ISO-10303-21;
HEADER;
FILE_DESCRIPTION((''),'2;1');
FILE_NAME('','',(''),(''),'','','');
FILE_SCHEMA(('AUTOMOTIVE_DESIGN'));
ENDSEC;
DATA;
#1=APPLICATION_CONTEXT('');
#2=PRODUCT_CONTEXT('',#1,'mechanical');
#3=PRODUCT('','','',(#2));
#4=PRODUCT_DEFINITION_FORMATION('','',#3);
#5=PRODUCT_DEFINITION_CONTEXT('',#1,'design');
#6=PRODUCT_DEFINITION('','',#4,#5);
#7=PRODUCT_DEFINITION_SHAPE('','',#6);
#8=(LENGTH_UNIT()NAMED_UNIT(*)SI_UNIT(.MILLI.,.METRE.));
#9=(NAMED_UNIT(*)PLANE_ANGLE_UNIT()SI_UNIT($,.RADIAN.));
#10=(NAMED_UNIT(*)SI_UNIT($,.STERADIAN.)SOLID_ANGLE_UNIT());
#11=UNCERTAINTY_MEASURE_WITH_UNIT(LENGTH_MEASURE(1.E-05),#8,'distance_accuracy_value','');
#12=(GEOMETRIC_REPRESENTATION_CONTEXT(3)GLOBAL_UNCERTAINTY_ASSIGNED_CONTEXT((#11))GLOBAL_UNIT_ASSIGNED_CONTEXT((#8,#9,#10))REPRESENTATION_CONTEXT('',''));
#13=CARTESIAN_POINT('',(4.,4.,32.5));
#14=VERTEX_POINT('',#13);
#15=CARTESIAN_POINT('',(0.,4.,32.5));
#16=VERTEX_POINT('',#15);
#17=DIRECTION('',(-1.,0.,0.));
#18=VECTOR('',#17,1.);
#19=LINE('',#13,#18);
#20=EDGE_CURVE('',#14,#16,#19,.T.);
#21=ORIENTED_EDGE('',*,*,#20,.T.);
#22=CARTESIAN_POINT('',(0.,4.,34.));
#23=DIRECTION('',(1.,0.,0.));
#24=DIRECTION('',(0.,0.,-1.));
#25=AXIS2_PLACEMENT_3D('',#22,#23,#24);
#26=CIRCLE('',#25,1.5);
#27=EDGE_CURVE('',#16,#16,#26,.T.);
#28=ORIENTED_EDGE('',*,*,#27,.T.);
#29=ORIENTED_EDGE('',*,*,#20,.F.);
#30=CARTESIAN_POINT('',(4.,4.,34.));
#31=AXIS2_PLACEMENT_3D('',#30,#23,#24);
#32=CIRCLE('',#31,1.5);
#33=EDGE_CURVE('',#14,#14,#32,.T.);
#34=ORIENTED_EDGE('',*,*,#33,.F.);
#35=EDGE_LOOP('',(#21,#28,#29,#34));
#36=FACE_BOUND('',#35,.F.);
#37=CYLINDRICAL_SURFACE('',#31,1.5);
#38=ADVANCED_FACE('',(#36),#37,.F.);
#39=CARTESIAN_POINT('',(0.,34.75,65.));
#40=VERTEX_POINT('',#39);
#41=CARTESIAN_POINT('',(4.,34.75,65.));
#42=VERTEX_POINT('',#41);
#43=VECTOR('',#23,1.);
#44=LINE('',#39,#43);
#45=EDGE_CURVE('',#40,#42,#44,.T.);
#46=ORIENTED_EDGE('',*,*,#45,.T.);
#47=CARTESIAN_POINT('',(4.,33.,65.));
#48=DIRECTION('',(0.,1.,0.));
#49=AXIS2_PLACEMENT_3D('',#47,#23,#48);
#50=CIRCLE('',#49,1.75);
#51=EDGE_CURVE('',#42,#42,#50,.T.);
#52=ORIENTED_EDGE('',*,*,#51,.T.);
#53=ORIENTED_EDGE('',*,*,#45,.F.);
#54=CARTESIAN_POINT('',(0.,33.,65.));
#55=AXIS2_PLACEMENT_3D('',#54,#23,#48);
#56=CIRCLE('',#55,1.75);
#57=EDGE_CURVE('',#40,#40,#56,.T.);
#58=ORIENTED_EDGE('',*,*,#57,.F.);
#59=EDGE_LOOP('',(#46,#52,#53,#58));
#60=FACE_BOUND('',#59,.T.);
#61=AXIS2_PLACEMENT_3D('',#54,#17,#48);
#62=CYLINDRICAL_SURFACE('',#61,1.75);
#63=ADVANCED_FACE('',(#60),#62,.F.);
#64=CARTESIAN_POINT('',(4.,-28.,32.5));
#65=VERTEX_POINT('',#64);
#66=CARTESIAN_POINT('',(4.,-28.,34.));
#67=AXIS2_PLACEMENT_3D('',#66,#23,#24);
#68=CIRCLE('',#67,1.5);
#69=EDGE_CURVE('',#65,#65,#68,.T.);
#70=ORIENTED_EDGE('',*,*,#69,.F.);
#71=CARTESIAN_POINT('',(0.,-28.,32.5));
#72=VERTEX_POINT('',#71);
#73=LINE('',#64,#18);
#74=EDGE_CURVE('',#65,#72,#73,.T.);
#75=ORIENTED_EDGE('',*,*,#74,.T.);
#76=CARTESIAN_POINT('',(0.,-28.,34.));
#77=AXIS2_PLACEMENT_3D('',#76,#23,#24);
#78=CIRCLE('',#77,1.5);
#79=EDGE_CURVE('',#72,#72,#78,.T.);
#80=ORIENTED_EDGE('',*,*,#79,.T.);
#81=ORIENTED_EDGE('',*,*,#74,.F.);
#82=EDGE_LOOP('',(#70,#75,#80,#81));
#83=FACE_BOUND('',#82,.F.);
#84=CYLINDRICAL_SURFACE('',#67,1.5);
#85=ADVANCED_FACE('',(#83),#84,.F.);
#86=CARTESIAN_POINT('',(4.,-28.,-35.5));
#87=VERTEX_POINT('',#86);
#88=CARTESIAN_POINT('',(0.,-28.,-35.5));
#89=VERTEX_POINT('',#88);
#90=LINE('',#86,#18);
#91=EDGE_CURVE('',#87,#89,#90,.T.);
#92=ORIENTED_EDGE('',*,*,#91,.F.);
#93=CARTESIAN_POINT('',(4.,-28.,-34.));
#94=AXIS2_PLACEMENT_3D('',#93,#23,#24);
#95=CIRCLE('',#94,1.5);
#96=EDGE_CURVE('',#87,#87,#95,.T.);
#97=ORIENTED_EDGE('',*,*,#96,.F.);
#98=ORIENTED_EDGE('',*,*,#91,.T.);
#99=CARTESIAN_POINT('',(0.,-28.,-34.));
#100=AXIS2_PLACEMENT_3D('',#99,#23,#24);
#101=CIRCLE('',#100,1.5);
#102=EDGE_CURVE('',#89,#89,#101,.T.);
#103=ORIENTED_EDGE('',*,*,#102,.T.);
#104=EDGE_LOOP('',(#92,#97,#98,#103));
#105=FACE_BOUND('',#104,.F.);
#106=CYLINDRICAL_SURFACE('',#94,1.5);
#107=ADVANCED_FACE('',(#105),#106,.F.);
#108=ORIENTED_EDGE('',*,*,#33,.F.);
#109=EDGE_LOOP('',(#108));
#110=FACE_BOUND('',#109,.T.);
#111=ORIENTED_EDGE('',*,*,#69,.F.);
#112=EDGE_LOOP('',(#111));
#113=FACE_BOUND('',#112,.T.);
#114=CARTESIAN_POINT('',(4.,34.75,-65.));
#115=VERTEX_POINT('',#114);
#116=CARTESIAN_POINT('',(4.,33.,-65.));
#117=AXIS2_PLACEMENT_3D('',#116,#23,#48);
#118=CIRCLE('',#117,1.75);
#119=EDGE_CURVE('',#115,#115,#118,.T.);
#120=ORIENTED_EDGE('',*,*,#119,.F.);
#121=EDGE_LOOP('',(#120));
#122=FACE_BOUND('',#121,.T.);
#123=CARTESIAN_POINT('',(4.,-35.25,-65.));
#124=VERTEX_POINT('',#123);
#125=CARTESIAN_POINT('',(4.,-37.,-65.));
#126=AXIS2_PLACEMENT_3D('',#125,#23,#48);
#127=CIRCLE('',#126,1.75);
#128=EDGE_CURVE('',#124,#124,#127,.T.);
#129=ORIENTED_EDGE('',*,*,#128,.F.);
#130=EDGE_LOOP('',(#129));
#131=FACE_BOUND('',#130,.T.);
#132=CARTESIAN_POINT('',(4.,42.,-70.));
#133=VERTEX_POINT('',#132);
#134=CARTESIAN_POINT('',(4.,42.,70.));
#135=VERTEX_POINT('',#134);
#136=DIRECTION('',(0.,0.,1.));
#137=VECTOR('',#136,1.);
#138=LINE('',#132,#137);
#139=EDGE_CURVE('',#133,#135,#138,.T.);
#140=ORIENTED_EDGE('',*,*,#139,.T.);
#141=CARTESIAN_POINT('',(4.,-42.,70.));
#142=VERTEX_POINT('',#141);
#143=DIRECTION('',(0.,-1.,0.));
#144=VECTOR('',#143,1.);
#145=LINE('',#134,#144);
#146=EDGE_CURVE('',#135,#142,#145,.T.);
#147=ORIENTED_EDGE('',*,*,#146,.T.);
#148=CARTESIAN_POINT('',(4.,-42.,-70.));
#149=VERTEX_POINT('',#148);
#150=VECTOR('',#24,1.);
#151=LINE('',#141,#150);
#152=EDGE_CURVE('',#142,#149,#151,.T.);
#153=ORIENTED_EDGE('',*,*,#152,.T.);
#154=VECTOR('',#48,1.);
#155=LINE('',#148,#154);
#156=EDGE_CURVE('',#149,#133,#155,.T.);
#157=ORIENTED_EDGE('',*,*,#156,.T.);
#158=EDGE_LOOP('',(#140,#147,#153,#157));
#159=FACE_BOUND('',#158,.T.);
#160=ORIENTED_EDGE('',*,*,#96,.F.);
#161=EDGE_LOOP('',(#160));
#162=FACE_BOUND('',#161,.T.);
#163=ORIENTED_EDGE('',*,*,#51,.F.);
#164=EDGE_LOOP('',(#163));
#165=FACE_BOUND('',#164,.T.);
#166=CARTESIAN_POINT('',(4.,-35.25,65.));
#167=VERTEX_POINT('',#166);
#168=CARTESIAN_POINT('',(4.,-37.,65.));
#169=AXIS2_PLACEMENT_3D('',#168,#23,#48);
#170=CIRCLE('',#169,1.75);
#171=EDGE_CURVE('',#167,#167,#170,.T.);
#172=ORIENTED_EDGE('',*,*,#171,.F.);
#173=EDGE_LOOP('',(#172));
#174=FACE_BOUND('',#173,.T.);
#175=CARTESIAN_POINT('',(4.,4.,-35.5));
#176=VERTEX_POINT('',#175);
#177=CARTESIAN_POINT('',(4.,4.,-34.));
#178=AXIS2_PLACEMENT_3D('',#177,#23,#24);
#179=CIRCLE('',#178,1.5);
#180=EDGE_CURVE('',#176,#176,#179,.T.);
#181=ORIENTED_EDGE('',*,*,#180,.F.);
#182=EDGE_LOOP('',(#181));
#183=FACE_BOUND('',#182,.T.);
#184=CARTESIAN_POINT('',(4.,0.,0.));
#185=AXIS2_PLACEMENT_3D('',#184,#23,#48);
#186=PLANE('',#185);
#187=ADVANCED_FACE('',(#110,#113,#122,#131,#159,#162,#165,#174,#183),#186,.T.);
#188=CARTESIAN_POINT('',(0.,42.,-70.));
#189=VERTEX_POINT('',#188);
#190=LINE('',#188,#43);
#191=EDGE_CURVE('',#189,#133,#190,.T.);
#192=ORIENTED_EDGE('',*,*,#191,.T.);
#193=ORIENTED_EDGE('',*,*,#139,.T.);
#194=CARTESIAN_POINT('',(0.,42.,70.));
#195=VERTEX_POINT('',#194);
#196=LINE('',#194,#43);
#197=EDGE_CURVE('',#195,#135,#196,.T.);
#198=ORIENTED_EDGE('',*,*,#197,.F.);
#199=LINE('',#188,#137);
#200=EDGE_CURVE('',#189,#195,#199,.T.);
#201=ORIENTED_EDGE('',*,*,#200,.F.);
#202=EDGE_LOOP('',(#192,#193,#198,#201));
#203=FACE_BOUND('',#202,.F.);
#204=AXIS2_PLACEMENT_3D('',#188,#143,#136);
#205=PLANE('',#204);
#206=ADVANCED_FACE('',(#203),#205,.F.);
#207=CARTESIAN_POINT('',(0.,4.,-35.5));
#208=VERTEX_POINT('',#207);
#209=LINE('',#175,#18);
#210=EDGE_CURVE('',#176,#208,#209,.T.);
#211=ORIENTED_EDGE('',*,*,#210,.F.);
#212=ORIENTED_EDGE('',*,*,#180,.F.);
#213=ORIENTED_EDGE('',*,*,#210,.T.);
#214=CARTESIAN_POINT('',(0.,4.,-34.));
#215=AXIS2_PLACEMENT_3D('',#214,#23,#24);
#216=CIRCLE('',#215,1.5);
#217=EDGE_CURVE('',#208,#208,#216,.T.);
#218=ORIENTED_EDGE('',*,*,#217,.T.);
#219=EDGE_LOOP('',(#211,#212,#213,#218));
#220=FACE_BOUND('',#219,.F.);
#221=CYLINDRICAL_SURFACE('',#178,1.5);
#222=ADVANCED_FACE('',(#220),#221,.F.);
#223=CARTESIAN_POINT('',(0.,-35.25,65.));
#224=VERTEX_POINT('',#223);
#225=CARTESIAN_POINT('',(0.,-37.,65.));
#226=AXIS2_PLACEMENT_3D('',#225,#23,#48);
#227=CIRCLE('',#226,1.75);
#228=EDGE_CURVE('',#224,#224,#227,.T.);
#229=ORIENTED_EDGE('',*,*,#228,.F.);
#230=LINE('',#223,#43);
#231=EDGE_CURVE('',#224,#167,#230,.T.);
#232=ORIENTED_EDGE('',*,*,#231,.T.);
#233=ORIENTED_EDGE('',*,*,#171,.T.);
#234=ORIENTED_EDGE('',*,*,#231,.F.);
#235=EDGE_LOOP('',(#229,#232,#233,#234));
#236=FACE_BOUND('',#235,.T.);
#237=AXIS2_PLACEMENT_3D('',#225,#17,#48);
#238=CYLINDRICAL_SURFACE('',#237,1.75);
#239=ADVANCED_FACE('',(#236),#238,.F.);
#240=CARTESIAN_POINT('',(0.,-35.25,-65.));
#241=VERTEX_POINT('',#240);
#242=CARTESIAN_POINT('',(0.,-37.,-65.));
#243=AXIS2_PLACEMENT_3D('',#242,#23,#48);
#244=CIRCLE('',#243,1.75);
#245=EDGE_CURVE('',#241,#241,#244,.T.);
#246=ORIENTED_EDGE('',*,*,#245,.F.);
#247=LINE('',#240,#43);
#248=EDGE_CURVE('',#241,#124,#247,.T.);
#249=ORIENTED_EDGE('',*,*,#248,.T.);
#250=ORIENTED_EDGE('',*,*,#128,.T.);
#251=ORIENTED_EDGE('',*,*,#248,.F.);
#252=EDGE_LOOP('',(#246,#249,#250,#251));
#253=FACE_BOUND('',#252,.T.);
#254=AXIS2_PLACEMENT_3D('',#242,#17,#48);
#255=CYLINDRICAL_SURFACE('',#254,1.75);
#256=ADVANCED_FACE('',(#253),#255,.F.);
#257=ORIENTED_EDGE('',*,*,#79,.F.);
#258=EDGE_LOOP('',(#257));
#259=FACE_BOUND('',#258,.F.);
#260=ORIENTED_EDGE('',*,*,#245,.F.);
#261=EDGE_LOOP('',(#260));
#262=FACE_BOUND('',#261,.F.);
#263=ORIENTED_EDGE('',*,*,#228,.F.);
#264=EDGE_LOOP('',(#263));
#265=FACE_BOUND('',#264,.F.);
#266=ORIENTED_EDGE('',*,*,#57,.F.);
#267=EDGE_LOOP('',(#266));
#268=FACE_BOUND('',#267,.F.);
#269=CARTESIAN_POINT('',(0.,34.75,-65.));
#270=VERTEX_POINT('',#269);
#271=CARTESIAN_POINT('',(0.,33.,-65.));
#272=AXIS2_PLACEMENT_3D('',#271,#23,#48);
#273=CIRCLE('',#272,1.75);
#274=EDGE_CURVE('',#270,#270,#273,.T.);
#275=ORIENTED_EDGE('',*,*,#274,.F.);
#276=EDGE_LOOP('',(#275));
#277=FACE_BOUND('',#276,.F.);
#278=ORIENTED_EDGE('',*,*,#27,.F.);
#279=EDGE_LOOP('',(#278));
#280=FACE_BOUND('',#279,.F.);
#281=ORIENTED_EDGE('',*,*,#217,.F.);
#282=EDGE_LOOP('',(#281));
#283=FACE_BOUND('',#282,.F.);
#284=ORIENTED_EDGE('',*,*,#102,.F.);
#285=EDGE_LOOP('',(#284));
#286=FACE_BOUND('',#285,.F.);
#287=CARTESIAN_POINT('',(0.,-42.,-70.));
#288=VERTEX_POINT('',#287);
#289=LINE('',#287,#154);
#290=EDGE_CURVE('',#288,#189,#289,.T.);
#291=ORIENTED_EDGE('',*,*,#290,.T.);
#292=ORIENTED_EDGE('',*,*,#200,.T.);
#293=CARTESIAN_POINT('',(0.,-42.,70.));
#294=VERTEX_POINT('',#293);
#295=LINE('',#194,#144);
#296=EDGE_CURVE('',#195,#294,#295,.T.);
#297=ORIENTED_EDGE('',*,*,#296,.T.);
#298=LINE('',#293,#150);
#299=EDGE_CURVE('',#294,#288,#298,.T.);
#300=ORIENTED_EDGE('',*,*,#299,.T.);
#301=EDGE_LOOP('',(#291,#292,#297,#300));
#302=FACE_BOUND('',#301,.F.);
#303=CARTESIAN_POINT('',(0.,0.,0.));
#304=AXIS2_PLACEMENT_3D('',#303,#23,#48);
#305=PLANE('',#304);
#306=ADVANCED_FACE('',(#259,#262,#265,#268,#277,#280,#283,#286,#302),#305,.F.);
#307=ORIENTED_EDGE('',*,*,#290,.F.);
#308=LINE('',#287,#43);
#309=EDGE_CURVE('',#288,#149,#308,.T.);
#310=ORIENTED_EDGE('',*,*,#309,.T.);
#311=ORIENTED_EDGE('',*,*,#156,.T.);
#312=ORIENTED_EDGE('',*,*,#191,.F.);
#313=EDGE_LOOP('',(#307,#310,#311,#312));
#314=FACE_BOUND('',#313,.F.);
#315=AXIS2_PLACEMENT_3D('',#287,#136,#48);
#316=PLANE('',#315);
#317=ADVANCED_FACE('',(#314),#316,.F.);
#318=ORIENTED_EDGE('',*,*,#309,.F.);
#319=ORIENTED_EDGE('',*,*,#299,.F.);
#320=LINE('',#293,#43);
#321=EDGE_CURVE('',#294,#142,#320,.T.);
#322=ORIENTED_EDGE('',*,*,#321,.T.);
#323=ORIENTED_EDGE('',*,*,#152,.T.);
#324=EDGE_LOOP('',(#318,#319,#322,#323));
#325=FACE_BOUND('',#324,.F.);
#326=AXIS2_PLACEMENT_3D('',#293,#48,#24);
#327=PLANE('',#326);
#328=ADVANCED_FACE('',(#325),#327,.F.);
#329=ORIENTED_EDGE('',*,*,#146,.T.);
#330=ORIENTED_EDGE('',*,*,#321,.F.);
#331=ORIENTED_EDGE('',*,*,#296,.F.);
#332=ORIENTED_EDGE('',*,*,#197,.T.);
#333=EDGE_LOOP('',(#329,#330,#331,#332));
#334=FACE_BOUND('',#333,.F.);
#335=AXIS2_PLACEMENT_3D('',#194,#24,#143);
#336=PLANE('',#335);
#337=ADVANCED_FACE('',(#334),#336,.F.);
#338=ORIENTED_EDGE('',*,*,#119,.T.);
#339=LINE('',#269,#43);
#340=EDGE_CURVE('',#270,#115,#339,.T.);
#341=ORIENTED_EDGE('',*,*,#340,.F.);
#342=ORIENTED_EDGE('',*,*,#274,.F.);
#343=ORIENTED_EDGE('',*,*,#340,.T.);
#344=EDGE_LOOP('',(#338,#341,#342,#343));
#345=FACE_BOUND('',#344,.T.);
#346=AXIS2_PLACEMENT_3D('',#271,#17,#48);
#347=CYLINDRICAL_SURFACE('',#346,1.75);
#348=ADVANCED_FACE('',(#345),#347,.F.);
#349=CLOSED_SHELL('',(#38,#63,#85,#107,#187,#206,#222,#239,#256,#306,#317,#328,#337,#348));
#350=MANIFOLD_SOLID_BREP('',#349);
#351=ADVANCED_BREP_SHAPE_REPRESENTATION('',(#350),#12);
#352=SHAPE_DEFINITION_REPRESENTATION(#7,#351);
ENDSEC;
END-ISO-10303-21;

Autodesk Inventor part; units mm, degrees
ref_plane "YZ Plane" through (0, 0, 0) normal (1, 0, 0) x (0, 1, 0)
ref_plane "XZ Plane" through (0, 0, 0) normal (0, 1, 0) x (-1, 0, 0)
ref_plane "XY Plane" through (0, 0, 0) normal (0, 0, 1) x (1, 0, 0)
sketch "Sketch1" plane through (0, 0, 0) normal (1, 0, 0) x (0, 1, 0)
  line L0 (42, 70) -> (-42, 70)
  line L1 (-42, 70) -> (-42, -70)
  line L2 (-42, -70) -> (42, -70)
  line L3 (42, -70) -> (42, 70)
  line L4 (0, 70) -> (0, -70) construction
  line L5 (-42, 0) -> (42, 0) construction
  circle A0 centre (-37, 65) radius 1.75
  circle A1 centre (-37, -65) radius 1.75
  circle A2 centre (33, 65) radius 1.75
  circle A3 centre (-37, -65) radius 1.75
  circle A4 centre (33, -65) radius 1.75
  point P0 (0, 0)
  point P1 (0, 0)
  dimension "d0" = 84
  dimension "d1" = 140
  dimension "d2" = 3.5
  dimension "d3" = 5
  dimension "d4" = 5
  dimension "d5" = 3.5
  dimension "d6" = 9
  dimension "d7" = 5
extrude "Extrusion1" add sketch "Sketch1" along normal blind 4
sketch "Sketch2" plane through (4, 0, 0) normal (1, 0, 0) x (0, 0, -1)
  line L0 (-34, 4) -> (34, 4) construction
  line L1 (34, 4) -> (34, -28) construction
  line L2 (34, -28) -> (-34, -28) construction
  line L3 (-34, -28) -> (-34, 4) construction
  line L4 (-70, 42) -> (-70, -42) construction
  line L5 (70, 42) -> (-70, 42) construction
  line L6 (0, 42) -> (0, -42) construction
  line L7 (-70, -42) -> (70, -42) construction
  circle A0 centre (-34, -28) radius 1.5
  circle A1 centre (-34, 4) radius 1.5
  circle A2 centre (34, 4) radius 1.5
  circle A3 centre (34, -28) radius 1.5
  point P0 (0, 0)
  dimension "d10" = 36
  dimension "d11" = 32
  dimension "d12" = 14
  dimension "d13" = 3
  dimension "d14" = 3
  dimension "d15" = 3
  dimension "d16" = 3
extrude "Extrusion2" cut sketch "Sketch2" against normal blind 4
properties part number "electronics_case_panel"
